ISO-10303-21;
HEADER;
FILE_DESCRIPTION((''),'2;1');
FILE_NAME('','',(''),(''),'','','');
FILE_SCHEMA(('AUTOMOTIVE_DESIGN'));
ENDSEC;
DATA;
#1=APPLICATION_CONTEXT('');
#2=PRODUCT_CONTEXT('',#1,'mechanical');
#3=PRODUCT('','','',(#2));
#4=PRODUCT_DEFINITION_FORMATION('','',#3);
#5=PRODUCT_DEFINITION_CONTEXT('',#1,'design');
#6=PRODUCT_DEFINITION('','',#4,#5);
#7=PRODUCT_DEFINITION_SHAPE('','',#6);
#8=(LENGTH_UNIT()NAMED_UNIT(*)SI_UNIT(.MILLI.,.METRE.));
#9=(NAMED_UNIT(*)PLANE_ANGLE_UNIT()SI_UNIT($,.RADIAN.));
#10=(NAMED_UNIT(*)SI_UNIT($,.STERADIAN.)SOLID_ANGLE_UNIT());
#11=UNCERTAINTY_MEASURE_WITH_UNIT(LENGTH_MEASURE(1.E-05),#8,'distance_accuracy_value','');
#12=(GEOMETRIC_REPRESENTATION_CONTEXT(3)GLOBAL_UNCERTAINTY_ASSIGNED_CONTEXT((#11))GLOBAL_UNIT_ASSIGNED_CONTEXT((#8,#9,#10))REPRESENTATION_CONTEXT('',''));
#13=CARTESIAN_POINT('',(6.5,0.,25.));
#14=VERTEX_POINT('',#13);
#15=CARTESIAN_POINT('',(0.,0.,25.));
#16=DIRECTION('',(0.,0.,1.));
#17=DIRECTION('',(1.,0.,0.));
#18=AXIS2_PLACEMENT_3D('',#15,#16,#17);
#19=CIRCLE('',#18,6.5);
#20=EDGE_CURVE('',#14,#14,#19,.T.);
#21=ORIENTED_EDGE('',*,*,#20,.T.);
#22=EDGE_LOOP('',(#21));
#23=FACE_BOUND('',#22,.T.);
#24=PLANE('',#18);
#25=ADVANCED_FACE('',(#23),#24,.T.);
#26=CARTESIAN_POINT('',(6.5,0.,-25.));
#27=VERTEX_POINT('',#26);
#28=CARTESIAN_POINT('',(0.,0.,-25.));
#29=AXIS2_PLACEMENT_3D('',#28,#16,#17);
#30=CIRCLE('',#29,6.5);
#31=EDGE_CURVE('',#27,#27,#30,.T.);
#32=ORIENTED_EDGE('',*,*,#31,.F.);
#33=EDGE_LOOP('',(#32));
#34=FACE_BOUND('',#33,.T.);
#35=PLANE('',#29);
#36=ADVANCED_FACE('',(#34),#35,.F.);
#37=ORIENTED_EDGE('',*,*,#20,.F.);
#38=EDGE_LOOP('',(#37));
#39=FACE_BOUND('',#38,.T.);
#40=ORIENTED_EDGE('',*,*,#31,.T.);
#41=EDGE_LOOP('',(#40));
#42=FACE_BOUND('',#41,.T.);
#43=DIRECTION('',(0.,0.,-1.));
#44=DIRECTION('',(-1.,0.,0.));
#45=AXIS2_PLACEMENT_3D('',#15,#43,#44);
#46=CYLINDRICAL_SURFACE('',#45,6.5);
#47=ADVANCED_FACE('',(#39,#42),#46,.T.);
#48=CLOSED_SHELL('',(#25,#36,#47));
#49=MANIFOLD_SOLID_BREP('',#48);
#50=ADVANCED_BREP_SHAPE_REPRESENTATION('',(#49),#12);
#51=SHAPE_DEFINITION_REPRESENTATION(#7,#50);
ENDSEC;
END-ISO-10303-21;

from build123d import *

# Parameters (mm, degrees)
SKETCH1_R           = 6.5
BOSS_EXTRUDE1_DEPTH = 25


with BuildPart() as part:
    # Sketch1 → Boss-Extrude1 (new body, symmetric)
    with BuildSketch(Plane.XY):
        Circle(SKETCH1_R)
    extrude(amount=BOSS_EXTRUDE1_DEPTH, both=True)


solid = part.part
